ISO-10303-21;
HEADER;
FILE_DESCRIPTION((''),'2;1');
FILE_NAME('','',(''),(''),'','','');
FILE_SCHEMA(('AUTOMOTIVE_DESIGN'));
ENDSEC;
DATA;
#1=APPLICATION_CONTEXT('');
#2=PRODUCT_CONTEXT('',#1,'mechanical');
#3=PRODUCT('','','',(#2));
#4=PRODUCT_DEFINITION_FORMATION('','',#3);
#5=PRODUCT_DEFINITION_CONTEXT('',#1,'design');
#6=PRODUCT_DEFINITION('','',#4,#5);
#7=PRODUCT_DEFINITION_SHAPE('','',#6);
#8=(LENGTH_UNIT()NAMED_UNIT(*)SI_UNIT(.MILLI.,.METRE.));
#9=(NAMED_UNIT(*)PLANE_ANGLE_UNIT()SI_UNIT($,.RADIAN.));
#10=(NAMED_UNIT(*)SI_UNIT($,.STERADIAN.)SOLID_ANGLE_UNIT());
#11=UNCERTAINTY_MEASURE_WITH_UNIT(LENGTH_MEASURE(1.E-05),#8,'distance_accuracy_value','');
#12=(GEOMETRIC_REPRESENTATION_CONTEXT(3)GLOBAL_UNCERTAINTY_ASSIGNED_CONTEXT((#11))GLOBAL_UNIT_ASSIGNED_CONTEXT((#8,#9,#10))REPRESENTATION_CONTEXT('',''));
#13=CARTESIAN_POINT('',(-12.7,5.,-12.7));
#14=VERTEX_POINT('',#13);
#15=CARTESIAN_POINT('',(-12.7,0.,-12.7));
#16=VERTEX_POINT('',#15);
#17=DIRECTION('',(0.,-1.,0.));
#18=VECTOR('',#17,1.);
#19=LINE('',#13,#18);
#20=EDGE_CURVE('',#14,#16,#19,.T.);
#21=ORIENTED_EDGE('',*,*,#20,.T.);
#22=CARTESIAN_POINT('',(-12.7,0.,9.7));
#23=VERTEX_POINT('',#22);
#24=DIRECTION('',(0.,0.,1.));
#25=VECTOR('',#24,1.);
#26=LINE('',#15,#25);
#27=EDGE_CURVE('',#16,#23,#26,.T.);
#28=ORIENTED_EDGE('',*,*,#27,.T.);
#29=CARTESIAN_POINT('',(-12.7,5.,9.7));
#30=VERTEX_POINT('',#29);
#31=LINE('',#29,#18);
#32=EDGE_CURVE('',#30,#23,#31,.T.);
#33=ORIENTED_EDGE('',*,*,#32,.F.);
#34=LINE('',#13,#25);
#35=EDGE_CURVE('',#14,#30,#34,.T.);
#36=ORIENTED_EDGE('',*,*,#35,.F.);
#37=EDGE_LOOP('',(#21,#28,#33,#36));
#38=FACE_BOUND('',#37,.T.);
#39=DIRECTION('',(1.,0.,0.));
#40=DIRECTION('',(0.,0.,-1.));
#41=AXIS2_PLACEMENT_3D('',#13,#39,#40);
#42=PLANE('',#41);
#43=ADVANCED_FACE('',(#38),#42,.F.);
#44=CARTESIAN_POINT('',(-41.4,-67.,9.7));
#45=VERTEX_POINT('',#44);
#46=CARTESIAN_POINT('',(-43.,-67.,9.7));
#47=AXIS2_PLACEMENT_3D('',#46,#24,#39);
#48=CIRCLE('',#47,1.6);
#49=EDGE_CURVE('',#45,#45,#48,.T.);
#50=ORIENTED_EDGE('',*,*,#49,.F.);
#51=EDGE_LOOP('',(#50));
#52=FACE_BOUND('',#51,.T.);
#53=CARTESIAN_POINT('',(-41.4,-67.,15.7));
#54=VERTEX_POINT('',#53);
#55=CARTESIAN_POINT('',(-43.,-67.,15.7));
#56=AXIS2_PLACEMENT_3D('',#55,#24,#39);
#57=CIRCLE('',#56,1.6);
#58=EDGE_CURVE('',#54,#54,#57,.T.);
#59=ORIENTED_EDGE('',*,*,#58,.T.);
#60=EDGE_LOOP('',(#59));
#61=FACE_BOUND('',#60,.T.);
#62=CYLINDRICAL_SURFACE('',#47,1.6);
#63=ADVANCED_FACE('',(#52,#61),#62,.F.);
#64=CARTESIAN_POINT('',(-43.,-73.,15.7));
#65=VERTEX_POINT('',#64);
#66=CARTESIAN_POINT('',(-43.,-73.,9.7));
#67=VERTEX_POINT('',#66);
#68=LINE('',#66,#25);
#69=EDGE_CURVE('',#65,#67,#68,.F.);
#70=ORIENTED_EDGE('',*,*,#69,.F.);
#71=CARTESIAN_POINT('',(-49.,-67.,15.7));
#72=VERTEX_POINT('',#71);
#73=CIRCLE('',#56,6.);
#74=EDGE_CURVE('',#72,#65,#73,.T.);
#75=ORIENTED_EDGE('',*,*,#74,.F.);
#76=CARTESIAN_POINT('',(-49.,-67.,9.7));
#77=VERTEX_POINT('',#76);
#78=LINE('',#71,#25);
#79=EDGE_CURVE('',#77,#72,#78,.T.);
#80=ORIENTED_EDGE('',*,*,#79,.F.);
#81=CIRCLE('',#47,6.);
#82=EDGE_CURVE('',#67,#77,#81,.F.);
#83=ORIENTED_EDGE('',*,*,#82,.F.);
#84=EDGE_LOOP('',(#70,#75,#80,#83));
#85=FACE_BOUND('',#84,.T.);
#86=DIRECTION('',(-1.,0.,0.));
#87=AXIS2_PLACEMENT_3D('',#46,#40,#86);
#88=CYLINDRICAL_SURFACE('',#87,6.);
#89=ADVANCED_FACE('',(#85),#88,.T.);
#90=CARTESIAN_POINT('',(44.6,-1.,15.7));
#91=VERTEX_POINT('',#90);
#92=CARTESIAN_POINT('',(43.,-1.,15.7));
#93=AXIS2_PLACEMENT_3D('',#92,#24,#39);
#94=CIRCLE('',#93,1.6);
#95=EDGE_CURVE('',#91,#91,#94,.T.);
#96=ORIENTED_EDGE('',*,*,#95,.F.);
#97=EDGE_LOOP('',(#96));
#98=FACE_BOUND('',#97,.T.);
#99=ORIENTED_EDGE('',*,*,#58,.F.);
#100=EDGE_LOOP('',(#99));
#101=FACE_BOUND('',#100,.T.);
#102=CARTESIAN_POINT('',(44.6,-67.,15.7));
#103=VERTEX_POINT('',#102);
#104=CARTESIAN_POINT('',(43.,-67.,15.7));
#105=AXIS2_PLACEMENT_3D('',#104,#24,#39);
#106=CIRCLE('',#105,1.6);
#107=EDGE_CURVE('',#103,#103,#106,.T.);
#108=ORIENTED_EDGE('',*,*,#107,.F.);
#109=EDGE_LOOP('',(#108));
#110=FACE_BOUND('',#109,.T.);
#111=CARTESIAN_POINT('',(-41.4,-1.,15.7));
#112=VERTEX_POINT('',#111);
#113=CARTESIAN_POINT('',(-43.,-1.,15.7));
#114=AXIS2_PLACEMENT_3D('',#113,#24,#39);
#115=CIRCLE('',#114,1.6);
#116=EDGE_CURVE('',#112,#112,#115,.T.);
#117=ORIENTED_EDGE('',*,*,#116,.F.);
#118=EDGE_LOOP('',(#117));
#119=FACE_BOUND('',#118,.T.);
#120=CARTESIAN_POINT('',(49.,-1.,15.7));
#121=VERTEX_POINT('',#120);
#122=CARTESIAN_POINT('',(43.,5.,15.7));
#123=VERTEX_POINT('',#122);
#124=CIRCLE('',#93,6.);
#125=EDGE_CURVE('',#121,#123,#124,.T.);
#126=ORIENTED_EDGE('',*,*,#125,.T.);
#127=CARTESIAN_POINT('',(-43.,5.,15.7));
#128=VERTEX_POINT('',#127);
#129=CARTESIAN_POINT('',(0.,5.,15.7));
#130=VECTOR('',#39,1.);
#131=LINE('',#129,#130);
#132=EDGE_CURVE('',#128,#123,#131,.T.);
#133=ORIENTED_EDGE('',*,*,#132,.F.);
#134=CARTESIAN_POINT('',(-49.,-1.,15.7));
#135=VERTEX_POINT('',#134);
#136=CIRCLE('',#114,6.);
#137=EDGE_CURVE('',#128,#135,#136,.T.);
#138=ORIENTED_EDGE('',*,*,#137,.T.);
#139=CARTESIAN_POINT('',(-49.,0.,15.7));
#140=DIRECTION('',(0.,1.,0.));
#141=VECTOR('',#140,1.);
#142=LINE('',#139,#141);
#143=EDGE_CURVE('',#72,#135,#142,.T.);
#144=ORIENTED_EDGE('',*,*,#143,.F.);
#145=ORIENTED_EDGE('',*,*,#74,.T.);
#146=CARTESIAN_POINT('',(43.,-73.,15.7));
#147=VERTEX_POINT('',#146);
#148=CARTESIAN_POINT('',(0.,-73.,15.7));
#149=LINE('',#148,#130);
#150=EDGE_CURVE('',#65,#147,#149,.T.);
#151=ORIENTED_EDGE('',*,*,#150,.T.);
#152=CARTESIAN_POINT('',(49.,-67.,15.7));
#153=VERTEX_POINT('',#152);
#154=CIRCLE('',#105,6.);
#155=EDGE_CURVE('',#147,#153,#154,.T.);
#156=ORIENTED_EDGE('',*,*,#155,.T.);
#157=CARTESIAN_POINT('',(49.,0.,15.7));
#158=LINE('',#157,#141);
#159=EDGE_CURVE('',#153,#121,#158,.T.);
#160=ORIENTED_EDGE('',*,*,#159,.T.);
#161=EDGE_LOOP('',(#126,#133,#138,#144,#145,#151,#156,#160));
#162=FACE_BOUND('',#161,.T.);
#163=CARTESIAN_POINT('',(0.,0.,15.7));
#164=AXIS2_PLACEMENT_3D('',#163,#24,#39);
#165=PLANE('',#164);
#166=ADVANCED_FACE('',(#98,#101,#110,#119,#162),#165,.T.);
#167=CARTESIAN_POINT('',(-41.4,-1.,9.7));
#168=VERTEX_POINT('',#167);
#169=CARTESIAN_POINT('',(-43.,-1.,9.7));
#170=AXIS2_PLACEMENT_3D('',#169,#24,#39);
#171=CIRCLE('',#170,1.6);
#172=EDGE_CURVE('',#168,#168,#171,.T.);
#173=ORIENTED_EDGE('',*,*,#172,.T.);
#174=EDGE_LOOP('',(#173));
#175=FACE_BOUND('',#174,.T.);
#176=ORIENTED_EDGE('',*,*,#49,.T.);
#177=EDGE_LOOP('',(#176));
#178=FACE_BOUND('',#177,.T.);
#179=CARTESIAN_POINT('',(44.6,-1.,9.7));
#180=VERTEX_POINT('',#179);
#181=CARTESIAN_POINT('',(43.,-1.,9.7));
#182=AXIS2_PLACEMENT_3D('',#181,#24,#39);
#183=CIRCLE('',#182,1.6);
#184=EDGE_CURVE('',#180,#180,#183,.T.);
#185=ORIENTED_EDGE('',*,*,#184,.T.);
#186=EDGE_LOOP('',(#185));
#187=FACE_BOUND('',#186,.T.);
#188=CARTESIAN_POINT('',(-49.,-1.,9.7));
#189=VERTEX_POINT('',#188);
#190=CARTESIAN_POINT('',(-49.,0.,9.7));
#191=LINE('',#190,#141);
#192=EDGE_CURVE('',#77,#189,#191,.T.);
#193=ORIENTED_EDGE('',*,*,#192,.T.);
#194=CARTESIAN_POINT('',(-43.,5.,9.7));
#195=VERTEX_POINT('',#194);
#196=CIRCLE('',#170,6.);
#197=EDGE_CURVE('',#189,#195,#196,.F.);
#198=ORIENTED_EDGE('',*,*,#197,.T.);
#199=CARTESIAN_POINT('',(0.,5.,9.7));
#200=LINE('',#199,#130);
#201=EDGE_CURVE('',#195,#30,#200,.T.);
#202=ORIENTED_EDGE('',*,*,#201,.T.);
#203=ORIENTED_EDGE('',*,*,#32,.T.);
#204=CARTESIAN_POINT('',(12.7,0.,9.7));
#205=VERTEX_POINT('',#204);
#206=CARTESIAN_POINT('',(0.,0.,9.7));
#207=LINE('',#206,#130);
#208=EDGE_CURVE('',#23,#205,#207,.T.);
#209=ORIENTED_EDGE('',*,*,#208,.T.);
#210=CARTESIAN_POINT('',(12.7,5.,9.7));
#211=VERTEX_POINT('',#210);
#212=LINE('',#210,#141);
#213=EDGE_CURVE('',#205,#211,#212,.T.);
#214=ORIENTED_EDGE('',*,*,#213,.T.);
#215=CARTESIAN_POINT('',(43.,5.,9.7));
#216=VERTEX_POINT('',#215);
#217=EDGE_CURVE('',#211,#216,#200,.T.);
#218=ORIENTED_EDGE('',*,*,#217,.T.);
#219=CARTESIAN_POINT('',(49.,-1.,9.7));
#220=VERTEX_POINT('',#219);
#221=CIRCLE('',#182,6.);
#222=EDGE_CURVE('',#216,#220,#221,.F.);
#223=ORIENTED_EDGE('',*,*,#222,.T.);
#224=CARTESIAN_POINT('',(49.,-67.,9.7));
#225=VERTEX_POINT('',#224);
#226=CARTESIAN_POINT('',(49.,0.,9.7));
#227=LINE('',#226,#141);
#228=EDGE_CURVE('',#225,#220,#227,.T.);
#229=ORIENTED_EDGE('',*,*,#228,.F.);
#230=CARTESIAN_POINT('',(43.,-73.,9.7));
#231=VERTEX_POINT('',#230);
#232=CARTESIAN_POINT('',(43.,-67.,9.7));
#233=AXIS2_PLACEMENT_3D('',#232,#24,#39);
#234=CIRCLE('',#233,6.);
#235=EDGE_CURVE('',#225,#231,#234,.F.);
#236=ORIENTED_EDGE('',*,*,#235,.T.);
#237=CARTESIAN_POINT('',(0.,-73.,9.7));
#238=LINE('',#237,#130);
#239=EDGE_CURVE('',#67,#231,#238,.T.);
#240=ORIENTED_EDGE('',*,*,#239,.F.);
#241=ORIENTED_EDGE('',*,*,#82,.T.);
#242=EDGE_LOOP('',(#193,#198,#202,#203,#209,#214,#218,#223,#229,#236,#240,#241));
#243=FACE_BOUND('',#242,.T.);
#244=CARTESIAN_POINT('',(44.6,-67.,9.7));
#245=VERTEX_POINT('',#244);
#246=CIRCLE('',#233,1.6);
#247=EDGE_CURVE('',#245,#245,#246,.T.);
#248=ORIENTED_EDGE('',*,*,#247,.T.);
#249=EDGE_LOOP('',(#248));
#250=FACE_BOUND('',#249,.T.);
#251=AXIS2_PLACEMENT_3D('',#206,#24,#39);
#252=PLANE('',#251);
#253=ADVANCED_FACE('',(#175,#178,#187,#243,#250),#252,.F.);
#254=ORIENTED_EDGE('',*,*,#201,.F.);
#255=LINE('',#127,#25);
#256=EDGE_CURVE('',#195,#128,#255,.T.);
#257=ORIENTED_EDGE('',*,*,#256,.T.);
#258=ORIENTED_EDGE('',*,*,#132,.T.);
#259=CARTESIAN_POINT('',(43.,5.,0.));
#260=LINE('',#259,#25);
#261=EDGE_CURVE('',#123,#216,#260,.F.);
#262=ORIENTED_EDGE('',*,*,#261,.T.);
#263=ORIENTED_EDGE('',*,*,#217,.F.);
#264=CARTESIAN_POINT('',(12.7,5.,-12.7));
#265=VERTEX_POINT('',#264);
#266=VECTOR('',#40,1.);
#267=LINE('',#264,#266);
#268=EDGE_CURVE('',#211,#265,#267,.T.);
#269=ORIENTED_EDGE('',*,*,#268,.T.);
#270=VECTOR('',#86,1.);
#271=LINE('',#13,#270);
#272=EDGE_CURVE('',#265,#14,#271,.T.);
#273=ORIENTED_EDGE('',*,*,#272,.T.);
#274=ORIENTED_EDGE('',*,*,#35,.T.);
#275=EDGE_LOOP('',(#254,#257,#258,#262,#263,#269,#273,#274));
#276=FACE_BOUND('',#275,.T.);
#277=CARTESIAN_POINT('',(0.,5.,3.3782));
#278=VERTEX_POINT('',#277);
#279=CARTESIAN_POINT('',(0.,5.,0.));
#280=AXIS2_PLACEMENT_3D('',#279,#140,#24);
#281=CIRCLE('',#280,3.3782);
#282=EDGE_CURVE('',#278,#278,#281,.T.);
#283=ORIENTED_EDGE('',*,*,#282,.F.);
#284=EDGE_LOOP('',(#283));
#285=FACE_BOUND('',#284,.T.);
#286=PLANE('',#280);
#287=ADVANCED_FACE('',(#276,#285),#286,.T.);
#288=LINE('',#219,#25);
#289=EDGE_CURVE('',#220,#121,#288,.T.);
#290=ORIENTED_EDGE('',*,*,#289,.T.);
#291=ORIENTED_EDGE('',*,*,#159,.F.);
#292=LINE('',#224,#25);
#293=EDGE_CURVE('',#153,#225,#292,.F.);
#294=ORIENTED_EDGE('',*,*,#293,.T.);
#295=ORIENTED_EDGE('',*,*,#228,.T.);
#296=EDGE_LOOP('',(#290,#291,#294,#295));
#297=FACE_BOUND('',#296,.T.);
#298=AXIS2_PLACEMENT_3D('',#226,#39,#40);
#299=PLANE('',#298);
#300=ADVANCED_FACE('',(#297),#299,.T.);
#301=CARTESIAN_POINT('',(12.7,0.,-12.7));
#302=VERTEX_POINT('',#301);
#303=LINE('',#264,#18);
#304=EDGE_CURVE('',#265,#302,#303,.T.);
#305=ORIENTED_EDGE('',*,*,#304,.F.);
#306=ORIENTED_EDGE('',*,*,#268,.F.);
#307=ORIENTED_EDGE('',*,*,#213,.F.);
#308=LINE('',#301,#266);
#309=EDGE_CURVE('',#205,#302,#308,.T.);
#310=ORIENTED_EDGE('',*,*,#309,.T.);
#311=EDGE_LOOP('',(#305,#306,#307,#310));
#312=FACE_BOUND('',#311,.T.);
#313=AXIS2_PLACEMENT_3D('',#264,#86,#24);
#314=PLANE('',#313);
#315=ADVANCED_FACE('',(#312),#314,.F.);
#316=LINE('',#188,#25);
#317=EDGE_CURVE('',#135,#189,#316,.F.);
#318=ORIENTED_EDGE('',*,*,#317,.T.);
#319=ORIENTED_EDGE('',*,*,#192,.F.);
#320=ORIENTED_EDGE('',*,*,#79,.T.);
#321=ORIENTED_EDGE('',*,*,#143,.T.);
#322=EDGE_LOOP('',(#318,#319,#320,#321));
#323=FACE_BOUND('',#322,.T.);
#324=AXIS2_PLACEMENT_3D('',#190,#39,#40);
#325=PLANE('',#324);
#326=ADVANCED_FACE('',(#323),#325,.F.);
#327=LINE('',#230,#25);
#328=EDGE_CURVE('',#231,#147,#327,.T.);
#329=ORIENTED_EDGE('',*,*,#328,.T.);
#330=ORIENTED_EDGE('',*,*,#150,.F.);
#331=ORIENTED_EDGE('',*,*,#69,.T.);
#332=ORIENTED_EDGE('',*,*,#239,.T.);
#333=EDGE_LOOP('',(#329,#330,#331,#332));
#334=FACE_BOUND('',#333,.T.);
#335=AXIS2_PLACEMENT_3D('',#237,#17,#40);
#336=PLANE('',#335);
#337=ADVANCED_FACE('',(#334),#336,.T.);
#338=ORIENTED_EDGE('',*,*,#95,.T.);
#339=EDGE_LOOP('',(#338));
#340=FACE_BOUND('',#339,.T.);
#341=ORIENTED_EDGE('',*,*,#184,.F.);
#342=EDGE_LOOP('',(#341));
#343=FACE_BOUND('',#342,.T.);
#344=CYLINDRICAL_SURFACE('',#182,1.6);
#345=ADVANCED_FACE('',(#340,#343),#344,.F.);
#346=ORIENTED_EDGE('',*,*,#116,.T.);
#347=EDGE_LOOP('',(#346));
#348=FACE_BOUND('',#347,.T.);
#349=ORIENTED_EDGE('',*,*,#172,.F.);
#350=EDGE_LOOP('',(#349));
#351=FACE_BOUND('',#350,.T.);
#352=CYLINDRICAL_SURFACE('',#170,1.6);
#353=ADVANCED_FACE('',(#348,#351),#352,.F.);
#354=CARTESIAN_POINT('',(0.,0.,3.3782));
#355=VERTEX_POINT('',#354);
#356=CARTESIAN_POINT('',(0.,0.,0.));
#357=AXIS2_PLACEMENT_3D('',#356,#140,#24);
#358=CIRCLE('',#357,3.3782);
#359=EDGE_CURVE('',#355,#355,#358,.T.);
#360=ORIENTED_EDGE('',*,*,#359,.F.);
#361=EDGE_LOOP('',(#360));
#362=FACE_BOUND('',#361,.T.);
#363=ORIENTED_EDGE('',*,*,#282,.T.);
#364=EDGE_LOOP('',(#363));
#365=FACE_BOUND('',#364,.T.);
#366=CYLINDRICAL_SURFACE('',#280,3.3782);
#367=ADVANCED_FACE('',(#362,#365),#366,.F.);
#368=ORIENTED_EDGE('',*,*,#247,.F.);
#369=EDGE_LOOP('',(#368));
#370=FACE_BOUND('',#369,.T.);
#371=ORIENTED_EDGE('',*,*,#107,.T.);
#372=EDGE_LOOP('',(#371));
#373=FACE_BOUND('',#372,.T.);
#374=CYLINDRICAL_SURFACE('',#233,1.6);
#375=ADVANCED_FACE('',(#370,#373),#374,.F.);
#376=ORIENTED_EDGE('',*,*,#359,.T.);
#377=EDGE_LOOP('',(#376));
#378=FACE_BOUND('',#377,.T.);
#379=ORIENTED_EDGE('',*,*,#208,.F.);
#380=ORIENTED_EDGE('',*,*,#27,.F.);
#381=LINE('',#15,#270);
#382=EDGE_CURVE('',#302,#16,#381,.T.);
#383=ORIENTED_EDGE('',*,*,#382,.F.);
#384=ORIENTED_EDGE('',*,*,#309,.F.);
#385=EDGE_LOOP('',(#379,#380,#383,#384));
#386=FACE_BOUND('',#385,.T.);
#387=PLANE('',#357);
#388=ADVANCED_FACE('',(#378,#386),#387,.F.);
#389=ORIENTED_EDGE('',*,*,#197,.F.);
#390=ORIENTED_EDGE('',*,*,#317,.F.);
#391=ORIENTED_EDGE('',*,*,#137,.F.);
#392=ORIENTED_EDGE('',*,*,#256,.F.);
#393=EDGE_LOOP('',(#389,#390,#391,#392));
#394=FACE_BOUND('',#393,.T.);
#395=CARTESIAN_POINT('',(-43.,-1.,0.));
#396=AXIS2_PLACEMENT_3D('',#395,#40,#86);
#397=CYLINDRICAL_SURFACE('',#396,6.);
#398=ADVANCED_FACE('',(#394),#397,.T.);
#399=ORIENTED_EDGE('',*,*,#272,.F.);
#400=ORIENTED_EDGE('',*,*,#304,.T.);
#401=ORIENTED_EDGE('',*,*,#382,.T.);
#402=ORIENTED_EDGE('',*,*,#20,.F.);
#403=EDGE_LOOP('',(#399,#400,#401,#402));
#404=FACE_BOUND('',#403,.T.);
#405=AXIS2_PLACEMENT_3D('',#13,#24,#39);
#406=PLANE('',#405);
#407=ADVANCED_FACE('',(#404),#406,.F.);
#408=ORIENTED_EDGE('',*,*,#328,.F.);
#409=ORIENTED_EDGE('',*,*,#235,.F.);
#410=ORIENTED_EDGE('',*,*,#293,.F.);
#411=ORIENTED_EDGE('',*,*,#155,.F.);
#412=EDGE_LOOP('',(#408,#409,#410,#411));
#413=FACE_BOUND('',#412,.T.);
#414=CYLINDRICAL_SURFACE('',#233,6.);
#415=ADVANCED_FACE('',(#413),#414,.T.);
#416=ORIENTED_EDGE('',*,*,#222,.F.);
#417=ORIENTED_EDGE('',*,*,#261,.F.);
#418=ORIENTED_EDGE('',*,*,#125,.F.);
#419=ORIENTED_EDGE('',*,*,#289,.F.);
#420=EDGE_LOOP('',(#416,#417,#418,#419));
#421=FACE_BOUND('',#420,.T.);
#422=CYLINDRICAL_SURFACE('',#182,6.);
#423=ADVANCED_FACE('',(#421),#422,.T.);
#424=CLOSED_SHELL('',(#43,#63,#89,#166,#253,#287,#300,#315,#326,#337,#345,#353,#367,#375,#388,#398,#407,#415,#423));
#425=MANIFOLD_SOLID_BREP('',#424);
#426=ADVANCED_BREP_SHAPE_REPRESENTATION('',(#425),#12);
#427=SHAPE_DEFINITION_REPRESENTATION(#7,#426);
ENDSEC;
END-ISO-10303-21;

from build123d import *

# Parameters (mm, degrees)
SKETCH1_W               = 25.4
SKETCH1_H               = 25.4
BOSS_EXTRUDE1_DEPTH     = 5
F_1_4_CLEARANCE_HOLE1_D = 6.7564
SKETCH4_R               = 1.6
SKETCH4_W               = 25.4
SKETCH4_H               = 5
BOSS_EXTRUDE2_DEPTH     = 3
FILLET1_R               = 6


with BuildPart() as part:
    # Sketch1 → Boss-Extrude1 (new body)
    with BuildSketch(Plane(origin=(0, 0, 0), x_dir=(1, 0, 0), z_dir=(0, 1, 0))):
        Rectangle(SKETCH1_W, SKETCH1_H)
    extrude(amount=BOSS_EXTRUDE1_DEPTH)

    # 1/4 Clearance Hole1 (through all)
    with Locations(Plane(origin=(0, 5, 0), x_dir=(1, 0, 0), z_dir=(0, 1, 0))):
        with Locations((0, 0)):
            Hole(F_1_4_CLEARANCE_HOLE1_D / 2)

    # Sketch4 → Boss-Extrude2 (add, symmetric)
    # profile 1 of 2: a face of its own
    with BuildSketch(Plane.XY.offset(12.7)):
        Polygon((-49, 5), (-49, -73), (49, -73), (49, 5), (12.7, 5), (12.7, 0), (-12.7, 0), (-12.7, 5), align=None)
        with Locations((-43, -67)):
            Circle(SKETCH4_R, mode=Mode.SUBTRACT)
        with Locations((43, -67)):
            Circle(SKETCH4_R, mode=Mode.SUBTRACT)
        with Locations((-43, -1)):
            Circle(SKETCH4_R, mode=Mode.SUBTRACT)
        with Locations((43, -1)):
            Circle(SKETCH4_R, mode=Mode.SUBTRACT)
    # profile 2 of 2: a face of its own
    with BuildSketch(Plane.XY.offset(12.7)):
        with Locations((0, 2.5)):
            Rectangle(SKETCH4_W, SKETCH4_H)
    extrude(amount=BOSS_EXTRUDE2_DEPTH, both=True)

    # Fillet1
    fillet1_edges = [part.edges().sort_by_distance(p)[0] for p in [
        (-49, 5, 12.7),
        (49, 5, 12.7),
        (49, -73, 12.7),
        (-49, -73, 12.7),
    ]]
    fillet(fillet1_edges, radius=FILLET1_R)


solid = part.part
